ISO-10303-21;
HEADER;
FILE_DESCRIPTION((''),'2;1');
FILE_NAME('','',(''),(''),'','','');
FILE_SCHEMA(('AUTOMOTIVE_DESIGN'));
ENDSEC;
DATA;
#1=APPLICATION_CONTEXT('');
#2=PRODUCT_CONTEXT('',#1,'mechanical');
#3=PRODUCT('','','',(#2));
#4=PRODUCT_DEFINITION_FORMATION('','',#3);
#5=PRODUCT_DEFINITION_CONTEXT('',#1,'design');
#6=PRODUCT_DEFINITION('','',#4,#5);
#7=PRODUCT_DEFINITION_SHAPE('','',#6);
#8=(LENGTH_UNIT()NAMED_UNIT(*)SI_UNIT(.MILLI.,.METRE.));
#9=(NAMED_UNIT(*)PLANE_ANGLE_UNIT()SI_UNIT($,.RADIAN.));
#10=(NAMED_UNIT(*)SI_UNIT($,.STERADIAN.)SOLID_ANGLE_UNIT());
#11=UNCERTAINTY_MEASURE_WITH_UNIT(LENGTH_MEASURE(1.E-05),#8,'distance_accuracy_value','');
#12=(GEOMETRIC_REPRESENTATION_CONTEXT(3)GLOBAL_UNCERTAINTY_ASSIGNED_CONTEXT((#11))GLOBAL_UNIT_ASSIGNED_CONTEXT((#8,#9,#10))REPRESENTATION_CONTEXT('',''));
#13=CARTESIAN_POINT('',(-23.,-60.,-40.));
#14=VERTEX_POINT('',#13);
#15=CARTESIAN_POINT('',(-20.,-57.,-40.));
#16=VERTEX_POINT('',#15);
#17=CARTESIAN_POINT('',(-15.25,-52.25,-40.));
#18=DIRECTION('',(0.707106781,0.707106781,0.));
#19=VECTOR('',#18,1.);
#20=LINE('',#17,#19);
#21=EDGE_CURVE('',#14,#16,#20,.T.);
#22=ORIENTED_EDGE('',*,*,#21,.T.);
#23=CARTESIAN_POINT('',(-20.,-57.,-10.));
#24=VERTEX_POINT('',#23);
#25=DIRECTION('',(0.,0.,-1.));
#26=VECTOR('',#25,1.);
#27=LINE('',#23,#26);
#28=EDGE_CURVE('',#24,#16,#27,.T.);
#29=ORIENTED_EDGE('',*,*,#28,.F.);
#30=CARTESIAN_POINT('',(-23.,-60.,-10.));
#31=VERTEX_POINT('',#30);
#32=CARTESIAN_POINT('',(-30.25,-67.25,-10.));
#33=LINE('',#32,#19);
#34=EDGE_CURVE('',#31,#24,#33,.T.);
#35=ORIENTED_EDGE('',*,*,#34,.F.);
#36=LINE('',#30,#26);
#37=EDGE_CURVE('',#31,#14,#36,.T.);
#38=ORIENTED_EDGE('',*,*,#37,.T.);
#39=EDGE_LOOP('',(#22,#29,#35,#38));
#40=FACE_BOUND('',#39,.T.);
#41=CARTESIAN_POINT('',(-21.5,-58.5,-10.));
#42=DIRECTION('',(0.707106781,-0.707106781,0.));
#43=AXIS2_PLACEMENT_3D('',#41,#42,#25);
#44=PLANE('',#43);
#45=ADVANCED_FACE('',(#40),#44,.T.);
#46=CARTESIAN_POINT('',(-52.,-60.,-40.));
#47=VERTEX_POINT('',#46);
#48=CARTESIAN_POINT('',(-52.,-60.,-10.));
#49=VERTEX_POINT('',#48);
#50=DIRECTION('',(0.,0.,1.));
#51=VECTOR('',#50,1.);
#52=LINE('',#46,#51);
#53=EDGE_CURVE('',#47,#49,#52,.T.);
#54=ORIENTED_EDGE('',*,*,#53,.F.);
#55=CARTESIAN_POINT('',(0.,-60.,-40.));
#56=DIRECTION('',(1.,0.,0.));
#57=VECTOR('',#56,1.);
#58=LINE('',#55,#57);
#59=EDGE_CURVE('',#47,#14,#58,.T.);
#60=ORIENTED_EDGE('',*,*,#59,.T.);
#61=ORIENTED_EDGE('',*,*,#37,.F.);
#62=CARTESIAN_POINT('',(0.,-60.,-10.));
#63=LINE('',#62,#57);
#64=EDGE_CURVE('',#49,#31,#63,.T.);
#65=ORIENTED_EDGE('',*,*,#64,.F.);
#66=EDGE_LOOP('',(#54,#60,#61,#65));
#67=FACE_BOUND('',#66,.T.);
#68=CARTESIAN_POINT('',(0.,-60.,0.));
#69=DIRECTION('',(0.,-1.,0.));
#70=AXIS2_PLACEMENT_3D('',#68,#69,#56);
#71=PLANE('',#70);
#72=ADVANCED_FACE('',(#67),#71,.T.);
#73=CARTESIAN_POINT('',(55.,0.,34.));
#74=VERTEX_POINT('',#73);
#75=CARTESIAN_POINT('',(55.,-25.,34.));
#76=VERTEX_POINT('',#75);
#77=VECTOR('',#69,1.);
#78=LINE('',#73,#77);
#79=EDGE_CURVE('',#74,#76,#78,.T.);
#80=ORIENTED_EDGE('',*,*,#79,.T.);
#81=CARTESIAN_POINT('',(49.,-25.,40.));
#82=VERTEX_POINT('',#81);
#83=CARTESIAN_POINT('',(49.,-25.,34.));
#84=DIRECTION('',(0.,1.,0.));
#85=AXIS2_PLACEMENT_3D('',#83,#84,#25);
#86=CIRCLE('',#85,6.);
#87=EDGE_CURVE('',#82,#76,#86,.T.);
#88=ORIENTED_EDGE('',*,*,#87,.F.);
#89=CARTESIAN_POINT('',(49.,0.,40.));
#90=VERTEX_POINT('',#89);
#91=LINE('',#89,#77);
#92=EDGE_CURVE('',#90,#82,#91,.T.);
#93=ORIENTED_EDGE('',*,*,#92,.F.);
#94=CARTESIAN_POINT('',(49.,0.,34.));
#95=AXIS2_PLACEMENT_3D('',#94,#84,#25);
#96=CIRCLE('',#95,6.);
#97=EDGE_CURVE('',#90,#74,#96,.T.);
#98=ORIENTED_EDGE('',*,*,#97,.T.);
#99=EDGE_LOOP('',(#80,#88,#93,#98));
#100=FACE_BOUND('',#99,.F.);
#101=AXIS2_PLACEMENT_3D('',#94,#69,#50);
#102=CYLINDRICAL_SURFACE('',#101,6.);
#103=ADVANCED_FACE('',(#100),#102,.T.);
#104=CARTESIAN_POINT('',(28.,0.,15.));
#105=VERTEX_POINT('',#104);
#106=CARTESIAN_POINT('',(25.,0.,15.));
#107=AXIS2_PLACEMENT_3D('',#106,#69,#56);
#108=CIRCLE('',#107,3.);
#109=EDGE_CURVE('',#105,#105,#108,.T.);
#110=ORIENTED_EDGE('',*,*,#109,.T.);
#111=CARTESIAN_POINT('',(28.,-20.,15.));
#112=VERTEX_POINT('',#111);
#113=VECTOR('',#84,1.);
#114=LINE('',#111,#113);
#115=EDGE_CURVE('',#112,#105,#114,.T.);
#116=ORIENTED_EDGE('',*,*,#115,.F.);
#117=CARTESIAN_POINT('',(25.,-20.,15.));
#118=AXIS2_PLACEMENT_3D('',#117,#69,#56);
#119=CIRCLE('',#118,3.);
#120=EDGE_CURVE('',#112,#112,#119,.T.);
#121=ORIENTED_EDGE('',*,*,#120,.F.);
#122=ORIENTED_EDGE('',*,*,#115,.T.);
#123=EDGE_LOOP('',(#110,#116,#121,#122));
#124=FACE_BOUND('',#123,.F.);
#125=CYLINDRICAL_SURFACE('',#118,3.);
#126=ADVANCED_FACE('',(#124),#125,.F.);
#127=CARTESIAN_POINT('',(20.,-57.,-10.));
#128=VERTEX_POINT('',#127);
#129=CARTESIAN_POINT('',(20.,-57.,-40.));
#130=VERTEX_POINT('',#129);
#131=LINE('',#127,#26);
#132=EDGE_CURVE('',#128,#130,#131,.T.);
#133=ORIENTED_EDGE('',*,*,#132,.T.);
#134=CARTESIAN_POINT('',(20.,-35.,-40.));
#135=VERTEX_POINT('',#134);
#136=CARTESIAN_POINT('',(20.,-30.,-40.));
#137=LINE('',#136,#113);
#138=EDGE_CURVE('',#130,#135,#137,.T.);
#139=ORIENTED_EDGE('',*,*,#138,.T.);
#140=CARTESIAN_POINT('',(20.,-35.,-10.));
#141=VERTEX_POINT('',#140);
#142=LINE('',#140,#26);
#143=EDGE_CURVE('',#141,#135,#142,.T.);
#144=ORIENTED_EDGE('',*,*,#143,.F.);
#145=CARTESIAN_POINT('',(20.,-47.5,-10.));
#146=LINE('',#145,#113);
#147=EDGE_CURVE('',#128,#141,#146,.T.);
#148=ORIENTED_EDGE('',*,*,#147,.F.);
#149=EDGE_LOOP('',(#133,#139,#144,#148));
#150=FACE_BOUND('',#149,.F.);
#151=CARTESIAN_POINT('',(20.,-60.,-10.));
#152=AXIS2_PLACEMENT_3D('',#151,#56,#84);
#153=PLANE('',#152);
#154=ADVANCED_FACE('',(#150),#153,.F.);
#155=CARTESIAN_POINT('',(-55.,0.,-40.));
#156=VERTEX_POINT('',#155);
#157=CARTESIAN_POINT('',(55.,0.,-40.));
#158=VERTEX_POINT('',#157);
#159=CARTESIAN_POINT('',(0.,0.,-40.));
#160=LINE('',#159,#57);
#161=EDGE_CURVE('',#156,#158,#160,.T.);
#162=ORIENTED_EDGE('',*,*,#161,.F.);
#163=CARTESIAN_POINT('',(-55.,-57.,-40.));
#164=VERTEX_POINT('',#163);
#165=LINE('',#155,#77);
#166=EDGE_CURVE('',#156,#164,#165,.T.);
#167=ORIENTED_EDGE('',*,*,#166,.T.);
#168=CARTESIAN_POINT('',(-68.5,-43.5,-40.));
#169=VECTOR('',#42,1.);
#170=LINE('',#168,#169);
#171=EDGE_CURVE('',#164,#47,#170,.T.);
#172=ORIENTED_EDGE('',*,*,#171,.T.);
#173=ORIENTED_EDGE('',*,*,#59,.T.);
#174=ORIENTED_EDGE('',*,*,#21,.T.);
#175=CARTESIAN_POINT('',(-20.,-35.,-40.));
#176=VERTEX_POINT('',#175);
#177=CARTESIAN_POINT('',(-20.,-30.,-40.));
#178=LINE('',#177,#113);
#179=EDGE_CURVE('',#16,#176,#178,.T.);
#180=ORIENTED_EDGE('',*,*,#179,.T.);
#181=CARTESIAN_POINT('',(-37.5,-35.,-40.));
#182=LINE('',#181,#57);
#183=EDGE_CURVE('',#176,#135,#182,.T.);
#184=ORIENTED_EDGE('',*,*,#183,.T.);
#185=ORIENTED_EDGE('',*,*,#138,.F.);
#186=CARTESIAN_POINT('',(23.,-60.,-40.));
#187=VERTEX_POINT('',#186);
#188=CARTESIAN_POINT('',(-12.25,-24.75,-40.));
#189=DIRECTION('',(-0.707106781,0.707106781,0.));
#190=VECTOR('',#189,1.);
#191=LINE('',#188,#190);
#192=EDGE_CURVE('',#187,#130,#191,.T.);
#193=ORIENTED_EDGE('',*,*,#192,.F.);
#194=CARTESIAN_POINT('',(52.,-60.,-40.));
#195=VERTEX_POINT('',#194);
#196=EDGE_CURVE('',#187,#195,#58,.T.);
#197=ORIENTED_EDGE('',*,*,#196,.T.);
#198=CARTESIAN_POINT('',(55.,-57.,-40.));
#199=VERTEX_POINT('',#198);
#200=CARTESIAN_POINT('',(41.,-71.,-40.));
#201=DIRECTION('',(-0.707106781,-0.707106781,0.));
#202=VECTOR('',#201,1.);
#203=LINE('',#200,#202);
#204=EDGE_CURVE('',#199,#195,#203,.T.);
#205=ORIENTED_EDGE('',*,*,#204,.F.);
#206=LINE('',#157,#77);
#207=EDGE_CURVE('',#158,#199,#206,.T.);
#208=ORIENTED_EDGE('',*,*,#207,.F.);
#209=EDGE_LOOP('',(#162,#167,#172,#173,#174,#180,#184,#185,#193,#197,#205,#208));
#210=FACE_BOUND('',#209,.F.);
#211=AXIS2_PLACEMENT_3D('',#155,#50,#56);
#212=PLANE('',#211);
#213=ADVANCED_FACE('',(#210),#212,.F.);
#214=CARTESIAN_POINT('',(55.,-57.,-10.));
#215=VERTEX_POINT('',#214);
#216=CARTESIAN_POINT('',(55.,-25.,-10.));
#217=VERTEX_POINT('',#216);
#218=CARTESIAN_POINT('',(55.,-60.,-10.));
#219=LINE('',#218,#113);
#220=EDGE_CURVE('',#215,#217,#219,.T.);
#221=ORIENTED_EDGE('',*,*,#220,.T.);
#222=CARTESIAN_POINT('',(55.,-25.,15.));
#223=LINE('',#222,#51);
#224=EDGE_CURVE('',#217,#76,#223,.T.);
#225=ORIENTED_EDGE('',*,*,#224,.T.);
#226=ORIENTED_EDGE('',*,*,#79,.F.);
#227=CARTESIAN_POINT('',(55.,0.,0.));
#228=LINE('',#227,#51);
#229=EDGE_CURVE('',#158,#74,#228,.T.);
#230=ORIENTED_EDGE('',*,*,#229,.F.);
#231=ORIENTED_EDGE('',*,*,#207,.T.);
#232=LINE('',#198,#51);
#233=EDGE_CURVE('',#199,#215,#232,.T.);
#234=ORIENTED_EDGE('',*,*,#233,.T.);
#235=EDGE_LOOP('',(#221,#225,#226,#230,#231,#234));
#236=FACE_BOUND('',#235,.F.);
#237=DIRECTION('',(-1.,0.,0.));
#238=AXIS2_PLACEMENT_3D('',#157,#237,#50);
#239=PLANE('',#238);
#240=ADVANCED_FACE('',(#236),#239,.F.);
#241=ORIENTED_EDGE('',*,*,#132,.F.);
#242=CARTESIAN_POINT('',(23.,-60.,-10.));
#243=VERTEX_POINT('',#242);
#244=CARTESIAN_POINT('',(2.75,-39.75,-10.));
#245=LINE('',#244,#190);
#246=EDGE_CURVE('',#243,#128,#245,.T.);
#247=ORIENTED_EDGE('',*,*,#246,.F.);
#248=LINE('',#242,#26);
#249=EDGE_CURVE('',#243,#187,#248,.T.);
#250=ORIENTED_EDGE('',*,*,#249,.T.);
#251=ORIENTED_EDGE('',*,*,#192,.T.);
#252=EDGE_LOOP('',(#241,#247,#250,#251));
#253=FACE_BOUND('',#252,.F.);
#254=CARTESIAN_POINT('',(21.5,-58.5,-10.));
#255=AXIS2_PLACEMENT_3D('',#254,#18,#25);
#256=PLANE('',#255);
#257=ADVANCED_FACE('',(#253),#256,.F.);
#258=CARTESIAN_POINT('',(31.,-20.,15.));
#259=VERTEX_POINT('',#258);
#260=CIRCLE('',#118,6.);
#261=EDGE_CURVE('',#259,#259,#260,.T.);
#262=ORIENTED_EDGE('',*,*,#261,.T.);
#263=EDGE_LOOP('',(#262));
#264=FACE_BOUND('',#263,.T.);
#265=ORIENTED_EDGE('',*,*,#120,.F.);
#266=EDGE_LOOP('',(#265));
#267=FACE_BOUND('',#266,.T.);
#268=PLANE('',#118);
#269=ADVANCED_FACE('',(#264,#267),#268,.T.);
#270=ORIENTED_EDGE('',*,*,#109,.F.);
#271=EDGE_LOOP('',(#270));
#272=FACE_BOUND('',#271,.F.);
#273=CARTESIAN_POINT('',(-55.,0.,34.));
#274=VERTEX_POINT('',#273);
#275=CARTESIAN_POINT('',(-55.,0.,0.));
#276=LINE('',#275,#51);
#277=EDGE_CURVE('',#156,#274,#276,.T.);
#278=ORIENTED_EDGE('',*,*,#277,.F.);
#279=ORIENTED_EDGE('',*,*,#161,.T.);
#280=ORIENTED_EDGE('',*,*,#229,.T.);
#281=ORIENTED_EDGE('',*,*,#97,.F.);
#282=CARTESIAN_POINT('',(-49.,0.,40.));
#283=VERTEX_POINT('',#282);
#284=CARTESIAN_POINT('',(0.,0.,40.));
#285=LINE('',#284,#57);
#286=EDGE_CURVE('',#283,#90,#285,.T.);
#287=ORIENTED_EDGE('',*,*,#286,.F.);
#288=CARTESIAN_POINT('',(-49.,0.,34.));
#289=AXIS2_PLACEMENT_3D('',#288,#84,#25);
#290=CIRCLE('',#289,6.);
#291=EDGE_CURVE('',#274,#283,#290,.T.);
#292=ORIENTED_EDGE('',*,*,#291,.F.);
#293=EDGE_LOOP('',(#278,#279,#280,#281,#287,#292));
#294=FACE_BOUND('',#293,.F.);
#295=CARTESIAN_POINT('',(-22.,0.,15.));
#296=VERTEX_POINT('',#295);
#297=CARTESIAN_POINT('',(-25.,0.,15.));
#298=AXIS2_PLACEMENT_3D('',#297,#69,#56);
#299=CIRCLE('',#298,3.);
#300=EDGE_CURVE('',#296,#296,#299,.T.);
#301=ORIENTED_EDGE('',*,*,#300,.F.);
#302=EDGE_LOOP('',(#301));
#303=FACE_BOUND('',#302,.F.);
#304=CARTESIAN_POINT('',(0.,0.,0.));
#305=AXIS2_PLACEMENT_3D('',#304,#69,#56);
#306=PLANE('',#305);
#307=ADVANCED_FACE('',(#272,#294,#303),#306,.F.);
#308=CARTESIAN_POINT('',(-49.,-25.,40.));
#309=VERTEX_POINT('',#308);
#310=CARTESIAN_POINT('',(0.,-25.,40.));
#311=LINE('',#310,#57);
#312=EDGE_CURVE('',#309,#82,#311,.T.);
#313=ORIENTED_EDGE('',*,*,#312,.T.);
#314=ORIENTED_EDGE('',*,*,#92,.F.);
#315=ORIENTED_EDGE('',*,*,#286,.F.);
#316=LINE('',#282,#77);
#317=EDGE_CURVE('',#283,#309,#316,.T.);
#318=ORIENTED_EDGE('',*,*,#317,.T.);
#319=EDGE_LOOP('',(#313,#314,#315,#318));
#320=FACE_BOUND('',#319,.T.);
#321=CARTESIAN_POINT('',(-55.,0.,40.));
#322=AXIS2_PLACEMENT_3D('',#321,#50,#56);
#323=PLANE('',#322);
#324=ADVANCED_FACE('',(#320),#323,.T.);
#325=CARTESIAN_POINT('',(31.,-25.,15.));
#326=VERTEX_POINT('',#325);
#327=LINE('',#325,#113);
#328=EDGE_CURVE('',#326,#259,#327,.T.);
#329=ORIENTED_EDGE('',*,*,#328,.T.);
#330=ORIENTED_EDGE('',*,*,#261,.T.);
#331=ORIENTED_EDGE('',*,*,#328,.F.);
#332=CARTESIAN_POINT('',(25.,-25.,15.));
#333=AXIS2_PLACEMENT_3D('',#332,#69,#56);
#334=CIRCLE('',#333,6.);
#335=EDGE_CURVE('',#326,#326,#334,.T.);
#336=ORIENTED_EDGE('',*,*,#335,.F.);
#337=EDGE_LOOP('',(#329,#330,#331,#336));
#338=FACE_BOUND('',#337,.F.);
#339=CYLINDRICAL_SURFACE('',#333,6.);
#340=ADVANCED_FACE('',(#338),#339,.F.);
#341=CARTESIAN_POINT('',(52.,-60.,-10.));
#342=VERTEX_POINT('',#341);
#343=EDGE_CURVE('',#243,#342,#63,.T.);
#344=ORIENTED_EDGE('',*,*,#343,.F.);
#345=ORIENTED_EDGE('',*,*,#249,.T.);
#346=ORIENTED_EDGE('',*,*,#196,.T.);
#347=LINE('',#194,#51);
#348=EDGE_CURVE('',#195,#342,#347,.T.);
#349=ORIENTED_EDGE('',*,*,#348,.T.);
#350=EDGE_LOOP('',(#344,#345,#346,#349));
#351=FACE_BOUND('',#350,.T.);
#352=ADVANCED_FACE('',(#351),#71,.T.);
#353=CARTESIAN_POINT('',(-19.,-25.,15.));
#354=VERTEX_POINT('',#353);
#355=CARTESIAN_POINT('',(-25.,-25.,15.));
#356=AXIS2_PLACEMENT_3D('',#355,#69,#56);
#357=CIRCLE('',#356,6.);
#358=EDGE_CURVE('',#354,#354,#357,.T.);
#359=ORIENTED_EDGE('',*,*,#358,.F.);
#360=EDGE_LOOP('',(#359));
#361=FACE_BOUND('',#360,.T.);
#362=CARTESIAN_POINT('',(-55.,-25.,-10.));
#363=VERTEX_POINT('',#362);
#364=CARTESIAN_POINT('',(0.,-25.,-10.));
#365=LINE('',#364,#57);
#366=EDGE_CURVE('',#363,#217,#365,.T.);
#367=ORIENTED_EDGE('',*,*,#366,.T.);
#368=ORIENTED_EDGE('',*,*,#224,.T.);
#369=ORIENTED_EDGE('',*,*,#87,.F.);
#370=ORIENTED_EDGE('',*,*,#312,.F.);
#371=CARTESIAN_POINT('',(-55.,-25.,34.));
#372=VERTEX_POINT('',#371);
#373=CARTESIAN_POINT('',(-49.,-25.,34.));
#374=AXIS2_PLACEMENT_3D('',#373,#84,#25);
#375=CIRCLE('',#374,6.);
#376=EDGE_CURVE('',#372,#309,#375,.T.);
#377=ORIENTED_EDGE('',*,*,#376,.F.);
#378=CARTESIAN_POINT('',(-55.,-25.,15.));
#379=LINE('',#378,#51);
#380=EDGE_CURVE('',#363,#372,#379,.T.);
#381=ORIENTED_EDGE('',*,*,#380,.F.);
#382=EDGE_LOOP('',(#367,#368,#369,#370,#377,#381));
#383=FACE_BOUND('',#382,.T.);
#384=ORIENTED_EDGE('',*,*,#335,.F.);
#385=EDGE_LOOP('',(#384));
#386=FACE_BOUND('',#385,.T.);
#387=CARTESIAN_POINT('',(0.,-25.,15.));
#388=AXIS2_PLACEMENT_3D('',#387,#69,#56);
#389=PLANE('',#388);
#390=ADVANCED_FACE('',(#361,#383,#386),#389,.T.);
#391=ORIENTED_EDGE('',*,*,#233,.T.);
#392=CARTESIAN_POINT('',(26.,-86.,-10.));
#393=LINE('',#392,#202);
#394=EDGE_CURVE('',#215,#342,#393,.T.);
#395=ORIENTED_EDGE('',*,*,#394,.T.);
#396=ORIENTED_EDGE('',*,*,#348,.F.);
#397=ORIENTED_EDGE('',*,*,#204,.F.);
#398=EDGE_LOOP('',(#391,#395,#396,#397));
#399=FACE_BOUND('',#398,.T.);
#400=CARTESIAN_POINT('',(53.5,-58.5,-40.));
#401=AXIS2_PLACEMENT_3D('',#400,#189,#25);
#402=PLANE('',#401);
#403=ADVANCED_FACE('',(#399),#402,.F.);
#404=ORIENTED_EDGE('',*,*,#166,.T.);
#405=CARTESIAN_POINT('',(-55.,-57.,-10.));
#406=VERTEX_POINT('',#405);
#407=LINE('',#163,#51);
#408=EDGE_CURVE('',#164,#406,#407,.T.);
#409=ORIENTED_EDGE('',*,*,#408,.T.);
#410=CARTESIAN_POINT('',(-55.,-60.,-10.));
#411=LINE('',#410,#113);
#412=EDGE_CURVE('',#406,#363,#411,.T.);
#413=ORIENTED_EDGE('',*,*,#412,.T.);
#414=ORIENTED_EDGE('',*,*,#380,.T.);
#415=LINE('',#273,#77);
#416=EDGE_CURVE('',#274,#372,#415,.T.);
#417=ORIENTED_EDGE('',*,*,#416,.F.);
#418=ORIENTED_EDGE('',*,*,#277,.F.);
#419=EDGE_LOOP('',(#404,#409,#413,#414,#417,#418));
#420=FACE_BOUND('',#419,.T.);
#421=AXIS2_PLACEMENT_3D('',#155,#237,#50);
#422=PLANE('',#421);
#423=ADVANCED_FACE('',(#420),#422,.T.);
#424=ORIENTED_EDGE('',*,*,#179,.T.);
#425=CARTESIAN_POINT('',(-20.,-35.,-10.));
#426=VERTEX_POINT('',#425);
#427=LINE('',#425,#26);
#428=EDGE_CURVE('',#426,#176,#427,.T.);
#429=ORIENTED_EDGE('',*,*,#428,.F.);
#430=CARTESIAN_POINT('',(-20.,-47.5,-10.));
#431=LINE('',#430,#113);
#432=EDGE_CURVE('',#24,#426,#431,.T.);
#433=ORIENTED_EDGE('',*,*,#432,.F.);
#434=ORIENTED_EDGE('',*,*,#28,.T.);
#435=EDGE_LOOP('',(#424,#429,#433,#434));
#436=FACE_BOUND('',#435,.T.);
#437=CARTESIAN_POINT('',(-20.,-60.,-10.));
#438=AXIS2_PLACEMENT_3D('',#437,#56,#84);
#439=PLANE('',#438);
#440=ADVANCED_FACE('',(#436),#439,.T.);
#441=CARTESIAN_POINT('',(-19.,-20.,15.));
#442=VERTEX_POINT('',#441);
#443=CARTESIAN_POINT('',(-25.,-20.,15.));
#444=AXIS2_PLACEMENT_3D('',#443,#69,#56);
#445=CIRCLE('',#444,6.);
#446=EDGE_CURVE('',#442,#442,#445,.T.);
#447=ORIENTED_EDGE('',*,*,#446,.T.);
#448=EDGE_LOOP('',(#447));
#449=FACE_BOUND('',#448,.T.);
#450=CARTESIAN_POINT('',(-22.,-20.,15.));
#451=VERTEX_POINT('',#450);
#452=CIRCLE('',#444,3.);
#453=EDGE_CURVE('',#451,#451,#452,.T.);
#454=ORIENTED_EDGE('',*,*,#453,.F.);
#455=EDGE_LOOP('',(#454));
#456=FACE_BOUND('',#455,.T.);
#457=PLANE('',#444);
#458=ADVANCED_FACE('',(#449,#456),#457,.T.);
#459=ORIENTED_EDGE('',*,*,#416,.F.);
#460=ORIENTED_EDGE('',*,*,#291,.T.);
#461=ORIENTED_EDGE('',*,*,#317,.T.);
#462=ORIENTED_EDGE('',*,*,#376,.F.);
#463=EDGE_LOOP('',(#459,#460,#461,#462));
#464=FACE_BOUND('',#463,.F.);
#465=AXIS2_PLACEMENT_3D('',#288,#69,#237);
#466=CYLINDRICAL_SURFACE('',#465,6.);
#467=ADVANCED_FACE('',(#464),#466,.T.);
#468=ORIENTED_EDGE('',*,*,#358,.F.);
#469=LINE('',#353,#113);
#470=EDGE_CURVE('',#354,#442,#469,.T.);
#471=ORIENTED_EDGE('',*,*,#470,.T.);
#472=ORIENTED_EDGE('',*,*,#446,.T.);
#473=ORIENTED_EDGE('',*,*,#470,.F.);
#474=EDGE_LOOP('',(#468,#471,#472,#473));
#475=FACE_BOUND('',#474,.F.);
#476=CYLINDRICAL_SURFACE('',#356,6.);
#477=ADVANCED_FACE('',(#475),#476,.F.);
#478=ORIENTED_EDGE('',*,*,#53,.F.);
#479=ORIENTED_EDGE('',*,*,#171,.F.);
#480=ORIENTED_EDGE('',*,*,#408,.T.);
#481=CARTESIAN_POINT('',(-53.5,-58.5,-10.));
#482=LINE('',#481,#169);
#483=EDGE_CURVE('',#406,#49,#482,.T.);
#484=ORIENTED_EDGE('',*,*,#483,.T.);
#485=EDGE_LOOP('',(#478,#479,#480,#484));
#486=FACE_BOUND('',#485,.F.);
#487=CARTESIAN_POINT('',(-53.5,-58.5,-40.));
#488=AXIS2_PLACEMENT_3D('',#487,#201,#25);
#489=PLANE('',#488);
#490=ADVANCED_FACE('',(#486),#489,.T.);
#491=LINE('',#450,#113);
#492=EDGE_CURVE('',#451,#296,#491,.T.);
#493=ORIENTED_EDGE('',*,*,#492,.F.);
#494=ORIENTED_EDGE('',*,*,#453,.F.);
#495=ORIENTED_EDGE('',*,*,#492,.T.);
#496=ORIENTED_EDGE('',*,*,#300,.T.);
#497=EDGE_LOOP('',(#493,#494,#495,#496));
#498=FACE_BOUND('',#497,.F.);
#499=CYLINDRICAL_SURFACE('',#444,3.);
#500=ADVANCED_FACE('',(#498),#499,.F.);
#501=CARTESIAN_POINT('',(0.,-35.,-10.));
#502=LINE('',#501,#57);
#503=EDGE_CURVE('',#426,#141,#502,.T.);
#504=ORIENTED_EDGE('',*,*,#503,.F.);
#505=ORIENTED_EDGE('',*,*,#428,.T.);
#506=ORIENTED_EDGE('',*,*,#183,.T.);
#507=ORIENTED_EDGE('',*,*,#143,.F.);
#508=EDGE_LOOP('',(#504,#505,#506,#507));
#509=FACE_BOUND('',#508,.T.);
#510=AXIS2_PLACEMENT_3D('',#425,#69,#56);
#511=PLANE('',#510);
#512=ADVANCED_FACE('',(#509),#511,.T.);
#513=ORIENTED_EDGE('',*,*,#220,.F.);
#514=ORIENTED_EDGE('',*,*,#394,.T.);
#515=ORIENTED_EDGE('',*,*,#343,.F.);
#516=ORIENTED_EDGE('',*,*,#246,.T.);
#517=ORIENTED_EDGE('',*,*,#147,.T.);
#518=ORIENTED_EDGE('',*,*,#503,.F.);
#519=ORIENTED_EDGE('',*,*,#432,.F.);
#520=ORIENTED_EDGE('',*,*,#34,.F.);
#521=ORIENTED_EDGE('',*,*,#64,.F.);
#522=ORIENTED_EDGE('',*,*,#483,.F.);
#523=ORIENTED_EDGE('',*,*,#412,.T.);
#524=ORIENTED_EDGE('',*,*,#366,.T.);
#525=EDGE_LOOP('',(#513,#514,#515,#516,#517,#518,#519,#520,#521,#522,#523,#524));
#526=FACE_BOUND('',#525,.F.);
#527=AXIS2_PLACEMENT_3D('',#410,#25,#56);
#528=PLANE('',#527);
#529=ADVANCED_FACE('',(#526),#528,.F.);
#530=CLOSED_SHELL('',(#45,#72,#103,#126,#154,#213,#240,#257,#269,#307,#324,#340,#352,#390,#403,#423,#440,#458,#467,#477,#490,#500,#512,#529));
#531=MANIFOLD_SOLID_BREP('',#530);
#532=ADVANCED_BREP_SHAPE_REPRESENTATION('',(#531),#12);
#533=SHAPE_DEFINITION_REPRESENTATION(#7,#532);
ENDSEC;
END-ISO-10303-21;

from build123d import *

# Parameters (mm, degrees)
F0_W      = 110
F0_H      = 80
F1_DEPTH  = 60
F2_W      = 110
F2_H      = 50
F3_DEPTH  = 35
F4_R      = 6
F5_R      = 6
F6_DEPTH  = 5
F7_R      = 3
F8_DEPTH  = 20.001
F9_W      = 40
F9_H      = 25
F10_DEPTH = 30.001
F11_SIZE2 = 3
F11_SIZE  = 3


with BuildPart() as f1:
    # F0 (on Front) → F1 (new body)
    with BuildSketch(Plane.XZ):
        Rectangle(F0_W, F0_H)
    extrude(amount=F1_DEPTH)

    # F2 (on face) → F3 (cut)
    with BuildSketch(Plane.XZ.offset(60)):
        with Locations((0, 15)):
            Rectangle(F2_W, F2_H)
    extrude(amount=-F3_DEPTH, mode=Mode.SUBTRACT)

    # F4
    f4_edges = [f1.edges().sort_by_distance(p)[0] for p in [
        (55, -12.5, 40),
        (-55, -12.5, 40),
    ]]
    fillet(f4_edges, radius=F4_R)

    # F5 (on face) → F6 (cut)
    with BuildSketch(Plane.XZ.offset(25)):
        with Locations((-25, 15)):
            Circle(F5_R)
        with Locations((25, 15)):
            Circle(F5_R)
    extrude(amount=-F6_DEPTH, mode=Mode.SUBTRACT)

    # F7 (on face) → F8 (cut, through all)
    with BuildSketch(Plane.XZ.offset(20)):
        with Locations((-25, 15)):
            Circle(F7_R)
        with Locations((25, 15)):
            Circle(F7_R)
    extrude(amount=-F8_DEPTH, mode=Mode.SUBTRACT)

    # F9 (on face) → F10 (cut, through all)
    with BuildSketch(Plane.XY.offset(-10)):
        with Locations((0, -47.5)):
            Rectangle(F9_W, F9_H)
    extrude(amount=-F10_DEPTH, mode=Mode.SUBTRACT)

    # F11
    f11_edges = [f1.edges().sort_by_distance(p)[0] for p in [
        (-55, -60, -25),
        (55, -60, -25),
        (-20, -60, -25),
        (20, -60, -25),
    ]]
    chamfer(f11_edges, length=F11_SIZE, length2=F11_SIZE2)


solid = f1.part
